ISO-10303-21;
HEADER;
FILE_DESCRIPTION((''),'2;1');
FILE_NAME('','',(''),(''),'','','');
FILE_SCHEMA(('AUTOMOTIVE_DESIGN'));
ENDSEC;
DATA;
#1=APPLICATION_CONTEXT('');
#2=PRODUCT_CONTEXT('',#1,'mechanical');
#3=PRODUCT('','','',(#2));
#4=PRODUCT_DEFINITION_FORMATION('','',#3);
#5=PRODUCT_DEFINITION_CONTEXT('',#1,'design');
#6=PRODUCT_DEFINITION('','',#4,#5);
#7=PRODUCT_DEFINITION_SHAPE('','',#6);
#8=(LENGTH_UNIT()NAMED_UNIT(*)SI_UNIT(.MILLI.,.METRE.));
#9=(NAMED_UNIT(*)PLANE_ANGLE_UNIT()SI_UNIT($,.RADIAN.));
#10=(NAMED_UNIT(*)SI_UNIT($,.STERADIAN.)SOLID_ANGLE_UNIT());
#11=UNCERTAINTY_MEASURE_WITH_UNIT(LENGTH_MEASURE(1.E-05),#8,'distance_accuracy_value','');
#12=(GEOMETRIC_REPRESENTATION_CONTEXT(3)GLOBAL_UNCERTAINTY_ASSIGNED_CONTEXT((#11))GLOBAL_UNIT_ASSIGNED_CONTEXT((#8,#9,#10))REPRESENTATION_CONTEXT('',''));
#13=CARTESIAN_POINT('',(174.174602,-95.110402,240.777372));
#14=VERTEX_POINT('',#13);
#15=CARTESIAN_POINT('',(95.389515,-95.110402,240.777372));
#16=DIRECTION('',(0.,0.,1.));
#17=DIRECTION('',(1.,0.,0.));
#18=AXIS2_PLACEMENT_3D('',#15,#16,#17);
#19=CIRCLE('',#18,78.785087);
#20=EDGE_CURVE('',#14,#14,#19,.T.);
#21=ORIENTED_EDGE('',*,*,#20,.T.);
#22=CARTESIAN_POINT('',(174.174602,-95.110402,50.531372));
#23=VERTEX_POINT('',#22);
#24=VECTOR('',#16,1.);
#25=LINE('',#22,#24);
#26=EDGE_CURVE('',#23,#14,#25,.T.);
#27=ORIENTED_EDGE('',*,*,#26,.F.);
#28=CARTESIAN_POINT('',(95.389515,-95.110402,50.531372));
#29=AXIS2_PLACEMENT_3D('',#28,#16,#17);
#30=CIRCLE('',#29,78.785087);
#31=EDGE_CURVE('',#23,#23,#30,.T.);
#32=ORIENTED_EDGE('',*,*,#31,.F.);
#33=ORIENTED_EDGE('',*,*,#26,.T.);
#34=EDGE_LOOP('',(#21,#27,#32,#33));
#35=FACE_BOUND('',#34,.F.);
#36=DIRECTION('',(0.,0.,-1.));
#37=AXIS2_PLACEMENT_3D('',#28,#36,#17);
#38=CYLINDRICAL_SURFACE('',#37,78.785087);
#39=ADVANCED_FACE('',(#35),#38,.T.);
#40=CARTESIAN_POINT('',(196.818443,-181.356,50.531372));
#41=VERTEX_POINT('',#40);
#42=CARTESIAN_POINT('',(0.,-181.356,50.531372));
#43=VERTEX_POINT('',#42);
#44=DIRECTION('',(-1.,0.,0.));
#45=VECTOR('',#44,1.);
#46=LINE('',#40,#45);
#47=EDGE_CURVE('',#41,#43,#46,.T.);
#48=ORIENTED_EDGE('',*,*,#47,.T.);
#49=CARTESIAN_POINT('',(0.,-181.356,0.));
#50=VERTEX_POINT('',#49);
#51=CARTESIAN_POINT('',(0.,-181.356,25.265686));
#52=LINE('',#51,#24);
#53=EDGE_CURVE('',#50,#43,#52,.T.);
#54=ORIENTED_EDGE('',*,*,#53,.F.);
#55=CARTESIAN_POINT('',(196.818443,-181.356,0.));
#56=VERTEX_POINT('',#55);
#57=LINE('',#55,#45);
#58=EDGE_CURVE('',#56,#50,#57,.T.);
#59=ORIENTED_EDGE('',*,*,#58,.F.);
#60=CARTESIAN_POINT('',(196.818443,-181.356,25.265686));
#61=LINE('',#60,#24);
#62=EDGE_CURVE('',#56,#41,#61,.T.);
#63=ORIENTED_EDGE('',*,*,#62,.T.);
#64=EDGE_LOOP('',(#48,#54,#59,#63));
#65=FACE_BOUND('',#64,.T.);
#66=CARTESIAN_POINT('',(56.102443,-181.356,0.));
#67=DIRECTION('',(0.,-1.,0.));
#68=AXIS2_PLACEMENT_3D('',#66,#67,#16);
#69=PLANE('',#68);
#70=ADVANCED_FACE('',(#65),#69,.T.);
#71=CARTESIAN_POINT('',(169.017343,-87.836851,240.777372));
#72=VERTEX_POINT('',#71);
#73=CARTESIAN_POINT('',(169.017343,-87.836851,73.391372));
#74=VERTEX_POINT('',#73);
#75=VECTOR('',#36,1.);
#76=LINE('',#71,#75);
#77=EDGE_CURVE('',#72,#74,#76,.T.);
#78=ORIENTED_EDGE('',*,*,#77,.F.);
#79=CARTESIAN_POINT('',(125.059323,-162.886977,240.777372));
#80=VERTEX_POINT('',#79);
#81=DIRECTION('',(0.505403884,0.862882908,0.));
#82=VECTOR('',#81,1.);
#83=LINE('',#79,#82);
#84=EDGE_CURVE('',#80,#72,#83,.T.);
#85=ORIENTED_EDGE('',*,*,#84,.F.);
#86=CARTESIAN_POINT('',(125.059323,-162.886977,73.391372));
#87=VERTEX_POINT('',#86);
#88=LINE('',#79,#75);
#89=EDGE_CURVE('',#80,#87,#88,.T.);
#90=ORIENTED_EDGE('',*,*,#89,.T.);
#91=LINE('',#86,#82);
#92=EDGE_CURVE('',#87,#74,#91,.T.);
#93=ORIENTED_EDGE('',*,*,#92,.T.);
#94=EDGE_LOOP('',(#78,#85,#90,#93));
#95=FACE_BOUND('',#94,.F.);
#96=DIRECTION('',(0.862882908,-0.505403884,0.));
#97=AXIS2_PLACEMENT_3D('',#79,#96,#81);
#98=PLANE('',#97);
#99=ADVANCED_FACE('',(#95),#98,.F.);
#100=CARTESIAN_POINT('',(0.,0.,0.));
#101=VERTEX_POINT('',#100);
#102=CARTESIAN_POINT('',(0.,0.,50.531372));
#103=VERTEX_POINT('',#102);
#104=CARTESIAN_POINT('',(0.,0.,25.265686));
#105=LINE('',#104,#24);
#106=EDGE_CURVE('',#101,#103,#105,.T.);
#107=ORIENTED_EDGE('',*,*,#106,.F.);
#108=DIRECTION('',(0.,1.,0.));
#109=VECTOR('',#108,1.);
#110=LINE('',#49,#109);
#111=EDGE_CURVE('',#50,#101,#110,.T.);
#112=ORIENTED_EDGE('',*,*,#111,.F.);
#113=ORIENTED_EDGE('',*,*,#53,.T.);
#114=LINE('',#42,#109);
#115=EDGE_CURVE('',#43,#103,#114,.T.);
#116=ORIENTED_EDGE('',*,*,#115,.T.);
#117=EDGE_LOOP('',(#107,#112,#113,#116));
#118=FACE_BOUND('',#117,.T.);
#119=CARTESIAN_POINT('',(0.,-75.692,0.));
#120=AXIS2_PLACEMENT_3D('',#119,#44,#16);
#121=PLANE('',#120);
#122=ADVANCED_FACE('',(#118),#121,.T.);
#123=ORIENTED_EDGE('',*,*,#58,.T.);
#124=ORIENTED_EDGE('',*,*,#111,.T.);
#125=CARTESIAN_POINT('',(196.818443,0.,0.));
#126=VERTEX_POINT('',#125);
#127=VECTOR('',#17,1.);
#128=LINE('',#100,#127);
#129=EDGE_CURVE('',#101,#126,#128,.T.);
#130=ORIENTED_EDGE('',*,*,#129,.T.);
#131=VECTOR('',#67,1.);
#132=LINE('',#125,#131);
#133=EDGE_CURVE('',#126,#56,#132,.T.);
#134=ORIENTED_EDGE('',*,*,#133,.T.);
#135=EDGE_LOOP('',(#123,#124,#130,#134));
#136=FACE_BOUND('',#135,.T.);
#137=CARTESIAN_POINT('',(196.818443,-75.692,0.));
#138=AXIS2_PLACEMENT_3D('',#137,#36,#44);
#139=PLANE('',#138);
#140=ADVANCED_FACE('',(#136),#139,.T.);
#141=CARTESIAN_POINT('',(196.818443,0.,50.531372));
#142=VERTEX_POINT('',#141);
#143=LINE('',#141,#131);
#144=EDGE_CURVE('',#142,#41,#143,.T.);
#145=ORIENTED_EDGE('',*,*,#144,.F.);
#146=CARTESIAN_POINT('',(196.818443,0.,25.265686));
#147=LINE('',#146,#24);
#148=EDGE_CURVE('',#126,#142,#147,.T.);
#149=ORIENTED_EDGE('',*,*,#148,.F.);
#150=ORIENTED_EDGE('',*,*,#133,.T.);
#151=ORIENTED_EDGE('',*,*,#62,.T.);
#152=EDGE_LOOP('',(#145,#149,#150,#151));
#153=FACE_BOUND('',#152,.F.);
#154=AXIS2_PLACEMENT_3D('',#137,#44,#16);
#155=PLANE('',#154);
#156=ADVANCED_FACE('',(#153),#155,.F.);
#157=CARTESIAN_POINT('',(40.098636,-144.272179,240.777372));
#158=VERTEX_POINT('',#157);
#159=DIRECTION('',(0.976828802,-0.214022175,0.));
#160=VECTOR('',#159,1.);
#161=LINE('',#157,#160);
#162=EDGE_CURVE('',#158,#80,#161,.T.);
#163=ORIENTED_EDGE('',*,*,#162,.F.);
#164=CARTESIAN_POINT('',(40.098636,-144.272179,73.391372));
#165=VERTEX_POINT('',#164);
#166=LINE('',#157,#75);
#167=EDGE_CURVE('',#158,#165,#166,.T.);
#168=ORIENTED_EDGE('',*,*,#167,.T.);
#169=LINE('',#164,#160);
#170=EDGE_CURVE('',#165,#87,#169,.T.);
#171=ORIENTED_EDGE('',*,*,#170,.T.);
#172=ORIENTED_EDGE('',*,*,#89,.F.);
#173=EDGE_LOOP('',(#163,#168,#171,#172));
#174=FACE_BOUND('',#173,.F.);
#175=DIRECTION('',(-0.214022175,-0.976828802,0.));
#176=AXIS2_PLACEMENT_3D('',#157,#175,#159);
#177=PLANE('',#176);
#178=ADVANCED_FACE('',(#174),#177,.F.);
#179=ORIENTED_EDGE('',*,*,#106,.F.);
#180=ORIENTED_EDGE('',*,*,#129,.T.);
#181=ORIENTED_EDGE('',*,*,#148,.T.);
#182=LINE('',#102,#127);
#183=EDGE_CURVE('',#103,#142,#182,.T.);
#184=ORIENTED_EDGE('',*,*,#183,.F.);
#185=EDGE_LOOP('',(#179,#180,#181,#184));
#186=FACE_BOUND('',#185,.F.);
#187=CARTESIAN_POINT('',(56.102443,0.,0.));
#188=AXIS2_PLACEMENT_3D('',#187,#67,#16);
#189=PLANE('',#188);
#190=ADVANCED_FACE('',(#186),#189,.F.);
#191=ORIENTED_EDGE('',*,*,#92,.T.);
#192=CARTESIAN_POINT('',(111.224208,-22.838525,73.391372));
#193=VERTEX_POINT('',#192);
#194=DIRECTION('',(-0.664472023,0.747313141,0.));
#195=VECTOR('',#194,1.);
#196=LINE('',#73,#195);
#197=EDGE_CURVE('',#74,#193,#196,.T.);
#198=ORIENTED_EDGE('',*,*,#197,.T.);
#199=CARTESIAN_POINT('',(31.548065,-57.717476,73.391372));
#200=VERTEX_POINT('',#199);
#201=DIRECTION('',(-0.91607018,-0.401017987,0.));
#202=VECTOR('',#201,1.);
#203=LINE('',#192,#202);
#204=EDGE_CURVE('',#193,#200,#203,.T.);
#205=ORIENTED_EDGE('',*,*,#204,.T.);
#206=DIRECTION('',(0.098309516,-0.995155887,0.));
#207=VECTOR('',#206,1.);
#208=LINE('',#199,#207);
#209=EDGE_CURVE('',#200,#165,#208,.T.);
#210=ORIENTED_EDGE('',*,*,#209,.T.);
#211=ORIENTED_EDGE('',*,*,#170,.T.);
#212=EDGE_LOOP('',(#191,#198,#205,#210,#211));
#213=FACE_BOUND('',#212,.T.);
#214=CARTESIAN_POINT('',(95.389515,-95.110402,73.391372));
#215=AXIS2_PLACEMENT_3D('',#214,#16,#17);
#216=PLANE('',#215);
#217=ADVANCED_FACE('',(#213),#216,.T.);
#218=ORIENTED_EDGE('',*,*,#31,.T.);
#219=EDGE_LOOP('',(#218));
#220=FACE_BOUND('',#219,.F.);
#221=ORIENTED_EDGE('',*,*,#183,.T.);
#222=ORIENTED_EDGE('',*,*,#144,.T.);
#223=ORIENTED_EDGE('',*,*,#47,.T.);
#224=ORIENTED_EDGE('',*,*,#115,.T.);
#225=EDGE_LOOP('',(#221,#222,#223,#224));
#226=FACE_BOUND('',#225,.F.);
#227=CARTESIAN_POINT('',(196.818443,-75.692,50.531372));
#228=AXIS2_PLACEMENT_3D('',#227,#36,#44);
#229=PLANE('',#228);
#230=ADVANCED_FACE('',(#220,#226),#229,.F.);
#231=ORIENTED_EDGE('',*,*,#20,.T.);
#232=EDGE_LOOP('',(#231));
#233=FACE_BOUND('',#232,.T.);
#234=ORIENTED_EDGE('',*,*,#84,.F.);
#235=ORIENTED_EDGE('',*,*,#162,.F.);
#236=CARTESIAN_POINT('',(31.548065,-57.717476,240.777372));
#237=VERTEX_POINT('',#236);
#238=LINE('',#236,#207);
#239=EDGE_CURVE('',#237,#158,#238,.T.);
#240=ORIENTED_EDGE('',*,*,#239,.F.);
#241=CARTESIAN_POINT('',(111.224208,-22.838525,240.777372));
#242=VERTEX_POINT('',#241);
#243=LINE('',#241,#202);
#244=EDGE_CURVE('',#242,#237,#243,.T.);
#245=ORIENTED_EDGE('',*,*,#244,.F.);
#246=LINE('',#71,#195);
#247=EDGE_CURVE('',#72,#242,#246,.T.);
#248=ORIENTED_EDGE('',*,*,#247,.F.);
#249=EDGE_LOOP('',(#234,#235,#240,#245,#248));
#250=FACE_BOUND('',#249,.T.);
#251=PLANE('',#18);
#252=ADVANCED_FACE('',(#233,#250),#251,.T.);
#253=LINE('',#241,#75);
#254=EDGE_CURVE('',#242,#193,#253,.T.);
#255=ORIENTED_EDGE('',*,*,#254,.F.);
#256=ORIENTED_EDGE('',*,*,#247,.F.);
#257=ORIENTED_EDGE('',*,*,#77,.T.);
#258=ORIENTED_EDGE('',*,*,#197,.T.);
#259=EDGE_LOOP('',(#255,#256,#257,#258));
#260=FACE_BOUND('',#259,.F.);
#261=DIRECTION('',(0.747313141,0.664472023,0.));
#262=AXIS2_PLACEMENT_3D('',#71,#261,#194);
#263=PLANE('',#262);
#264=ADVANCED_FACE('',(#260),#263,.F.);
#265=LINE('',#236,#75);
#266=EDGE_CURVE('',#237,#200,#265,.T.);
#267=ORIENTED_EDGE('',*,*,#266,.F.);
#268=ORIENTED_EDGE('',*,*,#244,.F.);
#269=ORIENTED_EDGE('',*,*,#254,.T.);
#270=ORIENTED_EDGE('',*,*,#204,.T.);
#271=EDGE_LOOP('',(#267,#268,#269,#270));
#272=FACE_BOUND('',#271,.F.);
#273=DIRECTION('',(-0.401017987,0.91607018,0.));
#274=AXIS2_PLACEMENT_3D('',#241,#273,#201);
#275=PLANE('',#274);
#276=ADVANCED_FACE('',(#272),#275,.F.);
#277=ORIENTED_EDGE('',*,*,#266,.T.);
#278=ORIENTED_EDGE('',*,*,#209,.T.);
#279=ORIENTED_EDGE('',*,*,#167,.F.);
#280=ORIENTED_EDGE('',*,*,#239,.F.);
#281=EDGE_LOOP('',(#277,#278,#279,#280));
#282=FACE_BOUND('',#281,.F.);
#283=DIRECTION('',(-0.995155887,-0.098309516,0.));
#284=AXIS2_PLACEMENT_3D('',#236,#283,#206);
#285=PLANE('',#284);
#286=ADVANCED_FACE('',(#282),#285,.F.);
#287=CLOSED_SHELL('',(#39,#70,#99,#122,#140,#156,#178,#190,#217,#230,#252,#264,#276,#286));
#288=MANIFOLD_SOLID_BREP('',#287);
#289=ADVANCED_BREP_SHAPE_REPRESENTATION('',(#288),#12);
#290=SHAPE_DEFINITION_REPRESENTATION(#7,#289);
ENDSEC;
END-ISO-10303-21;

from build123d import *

# Parameters (mm, degrees)
F0_W      = 56.1024434865
F0_H      = 50.5313724279
F1_DEPTH  = 75.692
F2_DEPTH  = 140.716
F3_DEPTH  = 105.664
F4_R      = 78.7850873133
F5_DEPTH  = 190.246
F6_R      = 25.2857639188
F7_DEPTH  = 125.476
F8_R      = 34.6183044946
F9_DEPTH  = 83.566
F11_DEPTH = 167.386


with BuildPart() as f1:
    # F0 (on Front) → F1 (new body)
    with BuildSketch(Plane.XZ):
        with Locations((28.0512217432, 25.265686214)):
            Rectangle(F0_W, F0_H)
    extrude(amount=F1_DEPTH)

    # F2 (add): a face of the model
    f2_faces = [f1.faces().sort_by_distance(p)[0] for p in [
        (56.1024434865, -37.846, 25.265686214),
    ]]
    extrude(f2_faces, amount=F2_DEPTH)

    # F3 (add): a face of the model
    f3_faces = [f1.faces().sort_by_distance(p)[0] for p in [
        (98.4092217432, -75.692, 25.265686214),
    ]]
    extrude(f3_faces, amount=F3_DEPTH)

    # F4 (on face) → F5 (join)
    with BuildSketch(Plane.XY.offset(50.5313724279)):
        with Locations((95.3895151615, -95.1104015112)):
            Circle(F4_R)
    extrude(amount=F5_DEPTH)

    # F6 (on face) → F7 (cut)
    with BuildSketch(Plane.XY.offset(240.7773724279)):
        with Locations((95.3895151615, -95.1104015112)):
            Circle(F6_R)
    extrude(amount=F7_DEPTH, mode=Mode.SUBTRACT)

    # F8 (on face) → F9 (cut)
    with BuildSketch(Plane.XY.offset(240.7773724279)):
        with Locations((95.3895151615, -95.1104015112)):
            Circle(F8_R)
    extrude(amount=-F9_DEPTH, mode=Mode.SUBTRACT)

    # F10 (on face) → F11 (cut)
    with BuildSketch(Plane.XY.offset(240.7773724279)):
        Polygon((40.0986362787, -144.27217879), (125.0593225865, -162.8869768172), (169.0173434726, -87.8368514126), (111.2242081507, -22.8385250253), (31.5480653191, -57.7174755108), align=None)
    extrude(amount=-F11_DEPTH, mode=Mode.SUBTRACT)


solid = f1.part
